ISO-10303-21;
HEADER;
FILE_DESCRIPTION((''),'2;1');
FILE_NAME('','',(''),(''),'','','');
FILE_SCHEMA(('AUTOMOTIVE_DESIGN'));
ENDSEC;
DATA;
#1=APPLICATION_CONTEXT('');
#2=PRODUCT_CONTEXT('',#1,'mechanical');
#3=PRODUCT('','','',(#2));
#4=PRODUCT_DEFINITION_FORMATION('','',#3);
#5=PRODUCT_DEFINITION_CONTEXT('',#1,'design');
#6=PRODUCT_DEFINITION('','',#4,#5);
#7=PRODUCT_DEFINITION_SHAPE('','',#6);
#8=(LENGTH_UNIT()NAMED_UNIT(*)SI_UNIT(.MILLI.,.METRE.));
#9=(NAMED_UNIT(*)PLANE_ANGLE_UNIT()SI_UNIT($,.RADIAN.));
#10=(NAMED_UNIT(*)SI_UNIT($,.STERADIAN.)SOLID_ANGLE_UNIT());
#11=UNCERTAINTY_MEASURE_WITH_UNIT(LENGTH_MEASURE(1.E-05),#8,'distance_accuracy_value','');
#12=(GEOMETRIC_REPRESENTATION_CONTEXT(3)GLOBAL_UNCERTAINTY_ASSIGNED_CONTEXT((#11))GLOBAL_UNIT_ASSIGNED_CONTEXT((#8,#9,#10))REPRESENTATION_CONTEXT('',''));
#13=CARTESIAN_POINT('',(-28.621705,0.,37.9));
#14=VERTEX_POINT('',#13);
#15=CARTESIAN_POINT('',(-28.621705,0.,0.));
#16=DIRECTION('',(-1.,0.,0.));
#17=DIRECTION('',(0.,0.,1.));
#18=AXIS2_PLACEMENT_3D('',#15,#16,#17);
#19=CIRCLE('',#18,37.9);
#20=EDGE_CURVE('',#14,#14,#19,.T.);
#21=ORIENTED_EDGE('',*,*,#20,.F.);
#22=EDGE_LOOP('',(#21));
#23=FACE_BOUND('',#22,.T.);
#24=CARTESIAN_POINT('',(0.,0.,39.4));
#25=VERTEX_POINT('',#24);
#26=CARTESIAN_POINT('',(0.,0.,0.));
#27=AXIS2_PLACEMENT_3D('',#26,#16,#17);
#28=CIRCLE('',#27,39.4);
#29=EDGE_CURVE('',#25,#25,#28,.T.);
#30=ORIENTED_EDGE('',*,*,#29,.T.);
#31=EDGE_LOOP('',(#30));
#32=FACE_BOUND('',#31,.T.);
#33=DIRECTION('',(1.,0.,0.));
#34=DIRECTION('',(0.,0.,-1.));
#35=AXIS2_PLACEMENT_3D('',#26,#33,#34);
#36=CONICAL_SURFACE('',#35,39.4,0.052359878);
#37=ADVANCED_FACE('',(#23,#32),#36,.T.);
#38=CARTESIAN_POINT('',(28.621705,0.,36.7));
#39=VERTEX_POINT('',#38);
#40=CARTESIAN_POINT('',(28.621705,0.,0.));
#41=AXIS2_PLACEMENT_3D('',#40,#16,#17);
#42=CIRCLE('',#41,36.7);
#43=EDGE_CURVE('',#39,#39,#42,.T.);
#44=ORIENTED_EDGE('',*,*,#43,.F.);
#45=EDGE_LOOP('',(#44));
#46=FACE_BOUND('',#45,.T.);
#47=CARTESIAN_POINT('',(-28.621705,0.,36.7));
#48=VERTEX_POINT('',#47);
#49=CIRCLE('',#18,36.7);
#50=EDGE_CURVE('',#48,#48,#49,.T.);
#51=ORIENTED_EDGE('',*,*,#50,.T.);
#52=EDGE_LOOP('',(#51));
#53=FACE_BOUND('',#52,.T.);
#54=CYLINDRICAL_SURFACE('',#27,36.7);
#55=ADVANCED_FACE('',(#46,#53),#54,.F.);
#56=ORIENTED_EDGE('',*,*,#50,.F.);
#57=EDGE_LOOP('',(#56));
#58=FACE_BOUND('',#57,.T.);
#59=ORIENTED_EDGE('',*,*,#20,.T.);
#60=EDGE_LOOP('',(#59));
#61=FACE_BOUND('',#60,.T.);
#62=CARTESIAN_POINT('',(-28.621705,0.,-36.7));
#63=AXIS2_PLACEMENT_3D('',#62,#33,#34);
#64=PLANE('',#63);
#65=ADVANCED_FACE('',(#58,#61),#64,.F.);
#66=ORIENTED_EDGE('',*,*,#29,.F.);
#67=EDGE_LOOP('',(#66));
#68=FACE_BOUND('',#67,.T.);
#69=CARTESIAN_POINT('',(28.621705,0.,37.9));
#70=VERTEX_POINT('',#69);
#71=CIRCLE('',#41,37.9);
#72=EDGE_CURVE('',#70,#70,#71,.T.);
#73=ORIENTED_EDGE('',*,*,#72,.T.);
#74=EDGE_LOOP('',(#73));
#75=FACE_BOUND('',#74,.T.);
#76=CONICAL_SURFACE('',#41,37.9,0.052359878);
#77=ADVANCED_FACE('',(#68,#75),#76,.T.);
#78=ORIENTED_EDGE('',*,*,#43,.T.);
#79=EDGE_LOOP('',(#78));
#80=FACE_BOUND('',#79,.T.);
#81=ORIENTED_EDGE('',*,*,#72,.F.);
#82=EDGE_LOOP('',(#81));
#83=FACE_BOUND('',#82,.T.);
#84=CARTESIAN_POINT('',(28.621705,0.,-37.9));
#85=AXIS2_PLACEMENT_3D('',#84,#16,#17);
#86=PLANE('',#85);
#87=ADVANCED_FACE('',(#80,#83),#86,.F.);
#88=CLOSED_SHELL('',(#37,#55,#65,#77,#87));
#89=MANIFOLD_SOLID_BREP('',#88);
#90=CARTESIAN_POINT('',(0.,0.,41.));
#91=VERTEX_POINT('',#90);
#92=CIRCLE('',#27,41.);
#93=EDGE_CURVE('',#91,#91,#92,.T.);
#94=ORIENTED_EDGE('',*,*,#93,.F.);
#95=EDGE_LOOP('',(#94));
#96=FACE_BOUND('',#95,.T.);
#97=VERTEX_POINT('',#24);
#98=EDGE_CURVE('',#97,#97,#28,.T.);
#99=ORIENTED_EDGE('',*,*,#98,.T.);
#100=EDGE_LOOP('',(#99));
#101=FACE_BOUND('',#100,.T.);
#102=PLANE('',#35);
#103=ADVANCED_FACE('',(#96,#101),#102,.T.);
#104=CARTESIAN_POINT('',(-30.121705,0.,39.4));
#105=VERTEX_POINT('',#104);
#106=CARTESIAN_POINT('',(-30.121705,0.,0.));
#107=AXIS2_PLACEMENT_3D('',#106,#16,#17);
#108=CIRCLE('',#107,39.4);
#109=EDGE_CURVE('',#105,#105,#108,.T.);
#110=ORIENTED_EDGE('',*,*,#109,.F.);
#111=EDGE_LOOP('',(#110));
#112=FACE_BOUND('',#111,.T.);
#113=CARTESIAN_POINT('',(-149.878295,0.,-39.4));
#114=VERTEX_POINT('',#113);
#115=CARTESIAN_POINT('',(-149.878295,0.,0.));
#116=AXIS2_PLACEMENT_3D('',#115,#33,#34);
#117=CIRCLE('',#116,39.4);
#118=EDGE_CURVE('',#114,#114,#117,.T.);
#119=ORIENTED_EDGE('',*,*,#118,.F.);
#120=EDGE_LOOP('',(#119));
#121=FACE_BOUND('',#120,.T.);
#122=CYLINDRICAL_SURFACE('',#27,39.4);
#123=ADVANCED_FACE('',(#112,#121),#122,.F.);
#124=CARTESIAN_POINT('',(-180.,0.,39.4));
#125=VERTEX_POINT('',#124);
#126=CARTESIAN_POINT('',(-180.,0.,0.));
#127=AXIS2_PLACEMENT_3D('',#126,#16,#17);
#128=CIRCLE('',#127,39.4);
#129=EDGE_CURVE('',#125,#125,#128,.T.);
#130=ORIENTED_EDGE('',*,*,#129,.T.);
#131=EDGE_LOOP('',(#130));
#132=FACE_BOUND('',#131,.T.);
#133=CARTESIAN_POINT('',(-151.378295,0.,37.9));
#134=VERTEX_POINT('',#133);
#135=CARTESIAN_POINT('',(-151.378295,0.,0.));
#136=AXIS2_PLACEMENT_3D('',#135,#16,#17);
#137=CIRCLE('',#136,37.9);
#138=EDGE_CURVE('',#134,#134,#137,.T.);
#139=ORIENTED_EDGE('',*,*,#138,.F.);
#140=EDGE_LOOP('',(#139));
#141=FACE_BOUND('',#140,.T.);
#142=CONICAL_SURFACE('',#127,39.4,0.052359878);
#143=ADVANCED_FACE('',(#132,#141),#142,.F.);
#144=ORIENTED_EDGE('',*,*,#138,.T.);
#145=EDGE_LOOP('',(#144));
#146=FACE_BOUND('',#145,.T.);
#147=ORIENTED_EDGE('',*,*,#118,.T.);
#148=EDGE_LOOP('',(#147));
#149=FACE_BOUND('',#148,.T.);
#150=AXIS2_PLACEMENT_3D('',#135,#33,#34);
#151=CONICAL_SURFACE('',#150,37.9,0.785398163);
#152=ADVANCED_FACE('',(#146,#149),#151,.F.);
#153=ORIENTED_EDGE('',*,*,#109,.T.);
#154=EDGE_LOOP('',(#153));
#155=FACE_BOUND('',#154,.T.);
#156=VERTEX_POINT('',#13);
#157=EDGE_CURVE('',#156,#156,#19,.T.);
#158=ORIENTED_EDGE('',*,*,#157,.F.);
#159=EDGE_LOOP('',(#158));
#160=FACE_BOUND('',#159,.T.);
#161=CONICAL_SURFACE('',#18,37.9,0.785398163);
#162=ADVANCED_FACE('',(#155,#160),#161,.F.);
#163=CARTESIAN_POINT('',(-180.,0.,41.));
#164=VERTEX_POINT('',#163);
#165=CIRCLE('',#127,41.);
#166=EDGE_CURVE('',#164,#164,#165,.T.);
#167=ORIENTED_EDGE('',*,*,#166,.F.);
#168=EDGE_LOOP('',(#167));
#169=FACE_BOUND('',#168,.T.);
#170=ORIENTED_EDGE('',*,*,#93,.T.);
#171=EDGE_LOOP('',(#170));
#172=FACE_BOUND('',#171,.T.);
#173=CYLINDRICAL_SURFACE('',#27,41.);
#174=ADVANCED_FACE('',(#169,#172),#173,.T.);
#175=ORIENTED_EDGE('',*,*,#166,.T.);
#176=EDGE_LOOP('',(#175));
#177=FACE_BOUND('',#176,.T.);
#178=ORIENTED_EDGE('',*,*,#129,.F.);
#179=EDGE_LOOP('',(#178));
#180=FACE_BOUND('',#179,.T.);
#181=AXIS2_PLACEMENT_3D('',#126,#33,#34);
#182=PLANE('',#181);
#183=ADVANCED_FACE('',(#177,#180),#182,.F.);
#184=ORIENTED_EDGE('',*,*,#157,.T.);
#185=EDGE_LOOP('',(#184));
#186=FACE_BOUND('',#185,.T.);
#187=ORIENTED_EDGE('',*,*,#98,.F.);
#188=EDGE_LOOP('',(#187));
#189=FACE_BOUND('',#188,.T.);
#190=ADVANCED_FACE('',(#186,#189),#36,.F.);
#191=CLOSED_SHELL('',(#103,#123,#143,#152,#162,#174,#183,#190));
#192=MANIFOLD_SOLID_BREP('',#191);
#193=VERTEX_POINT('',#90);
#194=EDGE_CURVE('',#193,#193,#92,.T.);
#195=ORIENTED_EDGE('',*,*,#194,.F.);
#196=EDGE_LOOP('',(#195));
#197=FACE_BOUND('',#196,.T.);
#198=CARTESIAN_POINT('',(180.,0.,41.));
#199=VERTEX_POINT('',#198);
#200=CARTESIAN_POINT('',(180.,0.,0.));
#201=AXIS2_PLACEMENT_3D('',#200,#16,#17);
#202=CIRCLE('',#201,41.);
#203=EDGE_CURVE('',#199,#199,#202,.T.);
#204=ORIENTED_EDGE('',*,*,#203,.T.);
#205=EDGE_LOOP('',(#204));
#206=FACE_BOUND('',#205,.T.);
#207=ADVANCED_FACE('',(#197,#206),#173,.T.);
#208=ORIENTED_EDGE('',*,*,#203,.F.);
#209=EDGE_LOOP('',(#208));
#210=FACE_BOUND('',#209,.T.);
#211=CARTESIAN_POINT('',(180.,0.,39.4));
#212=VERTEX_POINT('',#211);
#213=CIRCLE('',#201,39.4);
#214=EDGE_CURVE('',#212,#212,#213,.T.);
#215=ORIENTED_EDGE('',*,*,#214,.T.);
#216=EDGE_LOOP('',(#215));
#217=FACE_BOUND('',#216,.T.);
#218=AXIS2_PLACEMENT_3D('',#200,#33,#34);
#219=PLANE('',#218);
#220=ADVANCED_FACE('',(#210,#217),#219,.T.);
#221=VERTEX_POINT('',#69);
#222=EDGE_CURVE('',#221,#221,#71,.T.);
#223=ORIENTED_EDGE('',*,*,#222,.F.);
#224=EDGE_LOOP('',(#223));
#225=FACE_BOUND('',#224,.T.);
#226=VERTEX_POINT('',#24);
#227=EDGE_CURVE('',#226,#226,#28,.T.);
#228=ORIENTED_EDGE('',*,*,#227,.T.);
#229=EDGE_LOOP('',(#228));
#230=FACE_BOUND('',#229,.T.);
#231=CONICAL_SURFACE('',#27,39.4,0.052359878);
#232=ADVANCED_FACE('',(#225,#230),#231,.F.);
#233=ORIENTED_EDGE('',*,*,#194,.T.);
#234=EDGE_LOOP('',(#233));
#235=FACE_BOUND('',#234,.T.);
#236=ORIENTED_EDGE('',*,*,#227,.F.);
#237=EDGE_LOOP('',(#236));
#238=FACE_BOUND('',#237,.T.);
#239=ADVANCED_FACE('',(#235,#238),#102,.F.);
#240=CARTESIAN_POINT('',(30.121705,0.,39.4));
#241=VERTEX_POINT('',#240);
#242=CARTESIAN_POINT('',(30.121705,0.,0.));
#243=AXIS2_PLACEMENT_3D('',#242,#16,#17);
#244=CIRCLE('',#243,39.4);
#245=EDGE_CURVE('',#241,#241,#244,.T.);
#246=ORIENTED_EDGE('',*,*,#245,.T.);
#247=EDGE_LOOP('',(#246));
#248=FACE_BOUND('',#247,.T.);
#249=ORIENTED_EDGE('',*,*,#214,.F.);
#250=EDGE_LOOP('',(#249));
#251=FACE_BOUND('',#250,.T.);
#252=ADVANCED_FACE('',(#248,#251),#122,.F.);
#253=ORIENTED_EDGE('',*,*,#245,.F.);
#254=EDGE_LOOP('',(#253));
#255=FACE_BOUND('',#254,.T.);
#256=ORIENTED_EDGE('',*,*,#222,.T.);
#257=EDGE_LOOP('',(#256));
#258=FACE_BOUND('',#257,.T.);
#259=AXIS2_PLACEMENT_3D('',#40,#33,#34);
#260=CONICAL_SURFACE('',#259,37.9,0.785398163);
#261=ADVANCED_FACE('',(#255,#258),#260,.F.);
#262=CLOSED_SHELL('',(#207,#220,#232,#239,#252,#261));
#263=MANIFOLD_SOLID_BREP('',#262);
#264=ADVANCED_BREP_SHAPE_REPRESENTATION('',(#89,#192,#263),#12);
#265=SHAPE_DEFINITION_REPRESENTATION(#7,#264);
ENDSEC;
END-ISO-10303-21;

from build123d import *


with BuildPart() as part:
    # Sketch2 → Revolve1 (revolve)
    with BuildSketch(Plane(origin=(0, 0, 0), x_dir=(1, 0, 0), z_dir=(0, 1, 0))):
        Polygon((180, 39.4), (180, 41), (0, 41), (0, 39.4), (28.621705032, 37.9), (30.121705032, 39.4), align=None)
    revolve(axis=Axis((0, 0, 0), (1, 0, 0)))


with BuildPart() as body_2:
    # Sketch2<3> → Revolve2 (revolve)
    with BuildSketch(Plane(origin=(0, 0, 0), x_dir=(1, 0, 0), z_dir=(0, 1, 0))):
        Polygon((0, 39.4), (0, 41), (-180, 41), (-180, 39.4), (-151.378294968, 37.9), (-149.878294968, 39.4), (-30.121705032, 39.4), (-28.621705032, 37.9), align=None)
    revolve(axis=Axis((0, 0, 0), (1, 0, 0)))


with BuildPart() as body_3:
    # Sketch3 → Revolve3 (revolve)
    with BuildSketch(Plane(origin=(0, 0, 0), x_dir=(1, 0, 0), z_dir=(0, 1, 0))):
        Polygon((-28.621705032, 37.9), (0, 39.4), (28.621705032, 37.9), (28.621705032, 36.7), (-28.621705032, 36.7), align=None)
    revolve(axis=Axis((0, 0, 0), (1, 0, 0)))


solid = Compound([part.part, body_2.part, body_3.part])
